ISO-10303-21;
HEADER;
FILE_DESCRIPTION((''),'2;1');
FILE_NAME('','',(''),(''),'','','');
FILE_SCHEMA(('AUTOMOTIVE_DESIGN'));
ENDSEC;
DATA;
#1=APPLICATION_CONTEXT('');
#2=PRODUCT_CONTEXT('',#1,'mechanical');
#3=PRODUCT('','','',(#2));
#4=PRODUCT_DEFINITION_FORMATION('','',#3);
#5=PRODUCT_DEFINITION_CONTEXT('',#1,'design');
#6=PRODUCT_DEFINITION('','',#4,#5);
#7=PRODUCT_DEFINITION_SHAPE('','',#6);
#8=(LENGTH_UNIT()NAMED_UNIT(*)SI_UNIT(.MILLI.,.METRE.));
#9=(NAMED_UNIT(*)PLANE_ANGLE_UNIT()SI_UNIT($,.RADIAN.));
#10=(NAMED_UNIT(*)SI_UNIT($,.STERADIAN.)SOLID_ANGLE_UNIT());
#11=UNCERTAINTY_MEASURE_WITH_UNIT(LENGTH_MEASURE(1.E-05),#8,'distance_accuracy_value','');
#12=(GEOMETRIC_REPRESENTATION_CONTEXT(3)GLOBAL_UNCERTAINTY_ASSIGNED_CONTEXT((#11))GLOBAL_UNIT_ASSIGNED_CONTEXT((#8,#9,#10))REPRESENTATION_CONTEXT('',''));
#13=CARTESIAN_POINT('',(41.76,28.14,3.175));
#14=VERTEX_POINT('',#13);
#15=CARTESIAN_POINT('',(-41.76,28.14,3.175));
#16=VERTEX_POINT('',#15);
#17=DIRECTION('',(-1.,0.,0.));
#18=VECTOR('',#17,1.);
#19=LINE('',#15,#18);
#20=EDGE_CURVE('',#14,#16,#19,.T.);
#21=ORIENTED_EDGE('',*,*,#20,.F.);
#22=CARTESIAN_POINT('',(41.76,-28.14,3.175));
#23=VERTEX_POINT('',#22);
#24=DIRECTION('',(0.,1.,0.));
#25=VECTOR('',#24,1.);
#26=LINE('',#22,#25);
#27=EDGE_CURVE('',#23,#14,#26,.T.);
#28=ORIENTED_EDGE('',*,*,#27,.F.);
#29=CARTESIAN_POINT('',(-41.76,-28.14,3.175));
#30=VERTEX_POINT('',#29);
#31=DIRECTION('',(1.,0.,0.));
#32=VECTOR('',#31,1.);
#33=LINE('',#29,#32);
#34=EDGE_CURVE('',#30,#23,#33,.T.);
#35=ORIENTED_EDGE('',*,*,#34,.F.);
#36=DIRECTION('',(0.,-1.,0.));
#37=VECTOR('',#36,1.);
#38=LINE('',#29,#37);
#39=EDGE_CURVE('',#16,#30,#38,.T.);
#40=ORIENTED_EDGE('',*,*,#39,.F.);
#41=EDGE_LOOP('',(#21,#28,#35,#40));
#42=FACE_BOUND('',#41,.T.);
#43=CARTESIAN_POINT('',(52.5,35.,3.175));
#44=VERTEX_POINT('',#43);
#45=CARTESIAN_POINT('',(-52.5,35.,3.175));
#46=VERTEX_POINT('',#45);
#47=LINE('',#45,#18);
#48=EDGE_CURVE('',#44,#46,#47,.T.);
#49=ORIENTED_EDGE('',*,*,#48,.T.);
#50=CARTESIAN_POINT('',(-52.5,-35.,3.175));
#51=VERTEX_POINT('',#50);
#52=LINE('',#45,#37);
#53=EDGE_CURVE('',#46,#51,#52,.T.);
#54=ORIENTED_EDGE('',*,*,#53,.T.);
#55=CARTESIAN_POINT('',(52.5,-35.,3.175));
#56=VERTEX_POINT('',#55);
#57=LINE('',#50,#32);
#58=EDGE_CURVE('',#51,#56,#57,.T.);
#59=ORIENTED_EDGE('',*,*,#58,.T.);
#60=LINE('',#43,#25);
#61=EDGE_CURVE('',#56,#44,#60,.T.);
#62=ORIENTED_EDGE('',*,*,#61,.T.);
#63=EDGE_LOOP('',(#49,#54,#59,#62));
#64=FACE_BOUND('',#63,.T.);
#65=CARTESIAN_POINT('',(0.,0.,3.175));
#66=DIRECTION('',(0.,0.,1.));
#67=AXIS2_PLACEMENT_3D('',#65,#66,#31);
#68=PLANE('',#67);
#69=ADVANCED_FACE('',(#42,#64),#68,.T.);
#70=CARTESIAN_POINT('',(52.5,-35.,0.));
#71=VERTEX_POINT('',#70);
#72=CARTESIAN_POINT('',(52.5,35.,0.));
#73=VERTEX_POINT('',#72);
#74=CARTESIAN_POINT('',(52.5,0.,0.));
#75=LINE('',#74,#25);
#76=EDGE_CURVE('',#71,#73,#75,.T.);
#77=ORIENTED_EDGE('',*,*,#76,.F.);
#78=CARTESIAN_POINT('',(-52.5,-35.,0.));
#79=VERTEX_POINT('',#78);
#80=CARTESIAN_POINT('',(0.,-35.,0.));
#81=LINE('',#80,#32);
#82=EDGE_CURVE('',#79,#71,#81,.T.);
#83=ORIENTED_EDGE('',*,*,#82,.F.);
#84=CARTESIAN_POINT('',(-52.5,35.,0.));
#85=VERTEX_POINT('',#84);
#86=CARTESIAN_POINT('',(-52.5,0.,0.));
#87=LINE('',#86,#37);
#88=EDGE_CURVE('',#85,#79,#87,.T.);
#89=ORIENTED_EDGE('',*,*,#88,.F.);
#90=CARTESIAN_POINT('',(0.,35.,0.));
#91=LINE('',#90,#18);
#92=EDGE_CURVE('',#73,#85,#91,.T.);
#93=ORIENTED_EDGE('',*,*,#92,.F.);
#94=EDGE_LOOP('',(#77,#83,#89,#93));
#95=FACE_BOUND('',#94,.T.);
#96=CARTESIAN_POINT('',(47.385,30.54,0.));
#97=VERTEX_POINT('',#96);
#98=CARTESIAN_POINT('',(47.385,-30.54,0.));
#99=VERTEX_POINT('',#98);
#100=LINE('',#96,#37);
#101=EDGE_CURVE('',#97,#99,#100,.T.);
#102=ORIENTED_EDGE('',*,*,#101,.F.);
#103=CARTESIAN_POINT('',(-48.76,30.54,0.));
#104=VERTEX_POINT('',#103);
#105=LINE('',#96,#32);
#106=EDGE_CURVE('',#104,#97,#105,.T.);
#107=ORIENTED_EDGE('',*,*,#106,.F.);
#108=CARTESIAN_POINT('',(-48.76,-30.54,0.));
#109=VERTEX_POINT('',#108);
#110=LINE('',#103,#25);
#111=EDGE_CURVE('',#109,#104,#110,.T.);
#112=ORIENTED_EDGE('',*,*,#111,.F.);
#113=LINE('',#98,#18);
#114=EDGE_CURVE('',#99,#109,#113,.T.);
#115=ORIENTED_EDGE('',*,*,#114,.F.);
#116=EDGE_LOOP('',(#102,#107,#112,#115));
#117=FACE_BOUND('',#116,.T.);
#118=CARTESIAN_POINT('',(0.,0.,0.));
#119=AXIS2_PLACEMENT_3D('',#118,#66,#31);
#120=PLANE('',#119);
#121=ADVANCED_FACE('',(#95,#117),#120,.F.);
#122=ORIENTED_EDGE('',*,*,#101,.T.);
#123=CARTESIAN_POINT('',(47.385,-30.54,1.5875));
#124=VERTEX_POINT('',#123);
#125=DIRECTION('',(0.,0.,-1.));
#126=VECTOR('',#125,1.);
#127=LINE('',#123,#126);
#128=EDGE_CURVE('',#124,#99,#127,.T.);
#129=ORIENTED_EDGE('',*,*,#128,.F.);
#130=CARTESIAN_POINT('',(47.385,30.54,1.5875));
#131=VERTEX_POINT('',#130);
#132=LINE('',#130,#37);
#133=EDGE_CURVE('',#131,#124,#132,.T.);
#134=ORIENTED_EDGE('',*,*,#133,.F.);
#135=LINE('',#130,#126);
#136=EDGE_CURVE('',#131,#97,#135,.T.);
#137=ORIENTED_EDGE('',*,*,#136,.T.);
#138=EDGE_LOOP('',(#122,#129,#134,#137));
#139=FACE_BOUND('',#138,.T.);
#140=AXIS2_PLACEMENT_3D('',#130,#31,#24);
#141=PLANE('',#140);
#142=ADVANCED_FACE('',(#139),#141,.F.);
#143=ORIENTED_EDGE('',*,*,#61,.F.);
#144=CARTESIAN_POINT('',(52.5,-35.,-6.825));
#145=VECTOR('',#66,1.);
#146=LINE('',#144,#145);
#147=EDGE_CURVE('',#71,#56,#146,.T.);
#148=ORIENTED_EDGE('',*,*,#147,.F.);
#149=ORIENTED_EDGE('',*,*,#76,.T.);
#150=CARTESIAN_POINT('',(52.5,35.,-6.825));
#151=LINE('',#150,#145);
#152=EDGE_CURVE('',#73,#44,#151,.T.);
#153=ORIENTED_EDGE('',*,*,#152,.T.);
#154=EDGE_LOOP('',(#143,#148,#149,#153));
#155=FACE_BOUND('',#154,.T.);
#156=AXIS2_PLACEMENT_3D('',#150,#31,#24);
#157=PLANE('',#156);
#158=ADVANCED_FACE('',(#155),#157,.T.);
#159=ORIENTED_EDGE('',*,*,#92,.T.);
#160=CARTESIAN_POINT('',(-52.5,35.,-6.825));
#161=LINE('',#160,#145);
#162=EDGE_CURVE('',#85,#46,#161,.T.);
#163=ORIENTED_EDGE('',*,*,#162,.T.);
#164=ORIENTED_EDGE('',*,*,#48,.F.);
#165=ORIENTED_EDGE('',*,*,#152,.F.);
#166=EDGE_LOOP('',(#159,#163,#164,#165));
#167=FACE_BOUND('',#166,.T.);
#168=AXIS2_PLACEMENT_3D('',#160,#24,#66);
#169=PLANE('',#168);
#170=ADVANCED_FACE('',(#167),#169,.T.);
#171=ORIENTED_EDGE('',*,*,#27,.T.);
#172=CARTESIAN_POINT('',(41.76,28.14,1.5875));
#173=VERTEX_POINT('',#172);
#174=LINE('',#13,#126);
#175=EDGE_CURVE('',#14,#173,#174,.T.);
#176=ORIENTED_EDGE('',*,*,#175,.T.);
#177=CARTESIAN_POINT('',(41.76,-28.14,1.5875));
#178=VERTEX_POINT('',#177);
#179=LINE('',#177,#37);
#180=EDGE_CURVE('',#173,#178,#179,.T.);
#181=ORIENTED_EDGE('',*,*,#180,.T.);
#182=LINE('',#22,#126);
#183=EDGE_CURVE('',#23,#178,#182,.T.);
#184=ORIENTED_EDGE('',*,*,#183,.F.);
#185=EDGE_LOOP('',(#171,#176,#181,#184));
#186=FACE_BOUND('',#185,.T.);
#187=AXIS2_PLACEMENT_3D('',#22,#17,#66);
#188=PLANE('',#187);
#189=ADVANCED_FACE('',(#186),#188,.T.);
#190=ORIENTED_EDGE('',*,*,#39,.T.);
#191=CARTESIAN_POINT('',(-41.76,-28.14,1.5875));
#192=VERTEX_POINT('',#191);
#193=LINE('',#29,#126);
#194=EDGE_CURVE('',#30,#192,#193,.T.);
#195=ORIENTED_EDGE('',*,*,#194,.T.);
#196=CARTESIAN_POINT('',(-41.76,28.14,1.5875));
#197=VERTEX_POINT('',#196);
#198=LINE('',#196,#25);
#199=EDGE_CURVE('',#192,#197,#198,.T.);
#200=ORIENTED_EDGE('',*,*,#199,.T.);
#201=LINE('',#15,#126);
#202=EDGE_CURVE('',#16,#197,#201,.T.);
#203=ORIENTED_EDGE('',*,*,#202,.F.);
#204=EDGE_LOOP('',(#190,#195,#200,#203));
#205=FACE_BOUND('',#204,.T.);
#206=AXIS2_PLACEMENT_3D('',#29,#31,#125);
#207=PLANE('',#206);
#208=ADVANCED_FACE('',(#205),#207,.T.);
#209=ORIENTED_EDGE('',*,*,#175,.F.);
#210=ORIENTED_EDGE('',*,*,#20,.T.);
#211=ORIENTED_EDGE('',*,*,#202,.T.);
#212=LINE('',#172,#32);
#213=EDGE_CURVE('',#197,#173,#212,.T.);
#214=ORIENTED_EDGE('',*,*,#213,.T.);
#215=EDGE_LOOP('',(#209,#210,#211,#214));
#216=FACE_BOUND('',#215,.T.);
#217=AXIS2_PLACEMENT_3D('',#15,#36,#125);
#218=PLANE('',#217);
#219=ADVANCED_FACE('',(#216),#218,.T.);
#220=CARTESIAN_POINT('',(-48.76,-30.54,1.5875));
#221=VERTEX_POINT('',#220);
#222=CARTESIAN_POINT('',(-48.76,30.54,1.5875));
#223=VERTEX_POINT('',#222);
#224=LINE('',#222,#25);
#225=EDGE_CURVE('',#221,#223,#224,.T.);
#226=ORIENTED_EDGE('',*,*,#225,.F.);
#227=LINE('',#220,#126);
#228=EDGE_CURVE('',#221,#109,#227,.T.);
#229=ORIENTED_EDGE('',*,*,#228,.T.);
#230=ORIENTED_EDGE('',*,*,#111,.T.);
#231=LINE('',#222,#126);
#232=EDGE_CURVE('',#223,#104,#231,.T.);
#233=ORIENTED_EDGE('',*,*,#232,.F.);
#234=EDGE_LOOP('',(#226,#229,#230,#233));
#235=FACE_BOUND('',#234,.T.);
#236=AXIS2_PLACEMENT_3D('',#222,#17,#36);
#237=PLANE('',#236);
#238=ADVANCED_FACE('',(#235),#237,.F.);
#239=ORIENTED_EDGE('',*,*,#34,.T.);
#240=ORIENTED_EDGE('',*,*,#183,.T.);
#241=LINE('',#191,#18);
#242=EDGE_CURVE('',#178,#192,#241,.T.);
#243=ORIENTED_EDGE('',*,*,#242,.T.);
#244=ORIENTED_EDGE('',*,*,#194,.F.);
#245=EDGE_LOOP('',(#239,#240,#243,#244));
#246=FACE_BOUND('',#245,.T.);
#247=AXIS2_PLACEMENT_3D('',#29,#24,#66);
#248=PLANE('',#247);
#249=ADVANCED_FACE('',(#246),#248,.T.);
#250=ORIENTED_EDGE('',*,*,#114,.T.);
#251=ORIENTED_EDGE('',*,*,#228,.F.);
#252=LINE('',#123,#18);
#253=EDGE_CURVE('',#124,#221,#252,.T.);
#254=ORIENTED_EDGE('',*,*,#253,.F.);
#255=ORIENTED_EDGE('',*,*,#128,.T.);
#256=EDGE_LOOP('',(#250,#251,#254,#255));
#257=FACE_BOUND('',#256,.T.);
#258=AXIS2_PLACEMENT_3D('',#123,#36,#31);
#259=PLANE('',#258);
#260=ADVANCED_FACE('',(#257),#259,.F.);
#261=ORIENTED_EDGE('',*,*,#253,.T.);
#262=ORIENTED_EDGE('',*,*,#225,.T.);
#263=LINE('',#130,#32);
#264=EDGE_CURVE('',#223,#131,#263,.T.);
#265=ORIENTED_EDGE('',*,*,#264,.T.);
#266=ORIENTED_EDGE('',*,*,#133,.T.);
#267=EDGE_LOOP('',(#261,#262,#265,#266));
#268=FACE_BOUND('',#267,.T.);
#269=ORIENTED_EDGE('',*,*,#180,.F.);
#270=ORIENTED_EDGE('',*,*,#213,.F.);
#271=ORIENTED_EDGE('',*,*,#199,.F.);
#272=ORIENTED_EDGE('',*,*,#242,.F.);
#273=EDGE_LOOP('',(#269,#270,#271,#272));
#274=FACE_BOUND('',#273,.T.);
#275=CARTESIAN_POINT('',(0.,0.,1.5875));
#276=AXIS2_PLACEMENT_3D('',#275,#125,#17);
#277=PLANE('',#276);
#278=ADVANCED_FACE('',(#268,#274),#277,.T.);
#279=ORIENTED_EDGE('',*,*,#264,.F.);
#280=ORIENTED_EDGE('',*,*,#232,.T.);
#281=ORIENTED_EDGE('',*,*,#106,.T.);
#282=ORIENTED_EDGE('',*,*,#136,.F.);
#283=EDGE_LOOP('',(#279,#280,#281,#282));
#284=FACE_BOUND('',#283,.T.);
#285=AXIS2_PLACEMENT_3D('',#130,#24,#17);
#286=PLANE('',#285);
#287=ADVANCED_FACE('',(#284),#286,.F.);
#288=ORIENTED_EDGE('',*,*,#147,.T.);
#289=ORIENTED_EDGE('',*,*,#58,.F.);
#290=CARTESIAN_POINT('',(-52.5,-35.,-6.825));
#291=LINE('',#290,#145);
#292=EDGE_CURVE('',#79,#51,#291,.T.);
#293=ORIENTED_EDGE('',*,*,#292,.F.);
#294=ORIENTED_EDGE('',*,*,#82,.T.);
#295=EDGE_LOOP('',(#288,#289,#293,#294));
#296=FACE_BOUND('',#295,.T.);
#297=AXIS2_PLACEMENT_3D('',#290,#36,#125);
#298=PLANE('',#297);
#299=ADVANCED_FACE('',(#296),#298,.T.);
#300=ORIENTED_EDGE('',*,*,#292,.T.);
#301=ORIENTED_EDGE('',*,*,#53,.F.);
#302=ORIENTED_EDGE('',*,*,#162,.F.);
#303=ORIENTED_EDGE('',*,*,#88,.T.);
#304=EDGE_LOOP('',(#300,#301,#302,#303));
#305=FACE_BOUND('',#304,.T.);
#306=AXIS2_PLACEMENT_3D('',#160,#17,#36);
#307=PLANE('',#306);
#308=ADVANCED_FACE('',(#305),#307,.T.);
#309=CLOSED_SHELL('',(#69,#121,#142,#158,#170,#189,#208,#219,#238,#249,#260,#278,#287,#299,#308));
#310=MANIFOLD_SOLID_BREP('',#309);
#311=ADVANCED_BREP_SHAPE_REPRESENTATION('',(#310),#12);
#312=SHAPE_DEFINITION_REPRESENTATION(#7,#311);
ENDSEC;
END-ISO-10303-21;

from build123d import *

# Parameters (mm, degrees)
SKETCH1_W           = 113.52
SKETCH1_H           = 111.28
SKETCH1_R           = 8.5
SKETCH1_W_2         = 6
SKETCH1_H_2         = 5.8
SKETCH1_W_3         = 83.52
SKETCH1_H_3         = 56.28
BOSS_EXTRUDE1_DEPTH = 3.175
SKETCH3_W           = 96.145
SKETCH3_H           = 61.08
SKETCH3_W_2         = 83.52
SKETCH3_H_2         = 56.28
CUT_EXTRUDE1_DEPTH  = 1.5875
SKETCH4_W           = 113.52
SKETCH4_H           = 111.28
SKETCH4_W_2         = 105
SKETCH4_H_2         = 70
CUT_EXTRUDE2_DEPTH  = 10


with BuildPart() as part:
    # Sketch1 → Boss-Extrude1 (new body)
    with BuildSketch(Plane.XY):
        with Locations((0, -12.5)):
            Rectangle(SKETCH1_W, SKETCH1_H)
        with Locations((-41.76, -53.14)):
            Circle(SKETCH1_R, mode=Mode.SUBTRACT)
        with Locations((41.76, -53.14)):
            Circle(SKETCH1_R, mode=Mode.SUBTRACT)
        with Locations((-7.5, -53.14)):
            Rectangle(SKETCH1_W_2, SKETCH1_H_2, mode=Mode.SUBTRACT)
        Rectangle(SKETCH1_W_3, SKETCH1_H_3, mode=Mode.SUBTRACT)
        with Locations((-22.5, -53.14)):
            Rectangle(SKETCH1_W_2, SKETCH1_H_2, mode=Mode.SUBTRACT)
        with Locations((7.5, -53.14)):
            Rectangle(SKETCH1_W_2, SKETCH1_H_2, mode=Mode.SUBTRACT)
        with Locations((22.5, -53.14)):
            Rectangle(SKETCH1_W_2, SKETCH1_H_2, mode=Mode.SUBTRACT)
    extrude(amount=BOSS_EXTRUDE1_DEPTH)

    # Sketch3 → Cut-Extrude1 (cut)
    with BuildSketch(Plane(origin=(0, 0, 0), x_dir=(-1, 0, 0), z_dir=(0, 0, -1))):
        with Locations((0.6875, 0)):
            Rectangle(SKETCH3_W, SKETCH3_H)
        Rectangle(SKETCH3_W_2, SKETCH3_H_2, mode=Mode.SUBTRACT)
    extrude(amount=-CUT_EXTRUDE1_DEPTH, mode=Mode.SUBTRACT)

    # Sketch4 → Cut-Extrude2 (cut)
    with BuildSketch(Plane.XY.offset(3.175)):
        with Locations((0, -12.5)):
            Rectangle(SKETCH4_W, SKETCH4_H)
        Rectangle(SKETCH4_W_2, SKETCH4_H_2, mode=Mode.SUBTRACT)
    extrude(amount=-CUT_EXTRUDE2_DEPTH, mode=Mode.SUBTRACT)


solid = part.part
